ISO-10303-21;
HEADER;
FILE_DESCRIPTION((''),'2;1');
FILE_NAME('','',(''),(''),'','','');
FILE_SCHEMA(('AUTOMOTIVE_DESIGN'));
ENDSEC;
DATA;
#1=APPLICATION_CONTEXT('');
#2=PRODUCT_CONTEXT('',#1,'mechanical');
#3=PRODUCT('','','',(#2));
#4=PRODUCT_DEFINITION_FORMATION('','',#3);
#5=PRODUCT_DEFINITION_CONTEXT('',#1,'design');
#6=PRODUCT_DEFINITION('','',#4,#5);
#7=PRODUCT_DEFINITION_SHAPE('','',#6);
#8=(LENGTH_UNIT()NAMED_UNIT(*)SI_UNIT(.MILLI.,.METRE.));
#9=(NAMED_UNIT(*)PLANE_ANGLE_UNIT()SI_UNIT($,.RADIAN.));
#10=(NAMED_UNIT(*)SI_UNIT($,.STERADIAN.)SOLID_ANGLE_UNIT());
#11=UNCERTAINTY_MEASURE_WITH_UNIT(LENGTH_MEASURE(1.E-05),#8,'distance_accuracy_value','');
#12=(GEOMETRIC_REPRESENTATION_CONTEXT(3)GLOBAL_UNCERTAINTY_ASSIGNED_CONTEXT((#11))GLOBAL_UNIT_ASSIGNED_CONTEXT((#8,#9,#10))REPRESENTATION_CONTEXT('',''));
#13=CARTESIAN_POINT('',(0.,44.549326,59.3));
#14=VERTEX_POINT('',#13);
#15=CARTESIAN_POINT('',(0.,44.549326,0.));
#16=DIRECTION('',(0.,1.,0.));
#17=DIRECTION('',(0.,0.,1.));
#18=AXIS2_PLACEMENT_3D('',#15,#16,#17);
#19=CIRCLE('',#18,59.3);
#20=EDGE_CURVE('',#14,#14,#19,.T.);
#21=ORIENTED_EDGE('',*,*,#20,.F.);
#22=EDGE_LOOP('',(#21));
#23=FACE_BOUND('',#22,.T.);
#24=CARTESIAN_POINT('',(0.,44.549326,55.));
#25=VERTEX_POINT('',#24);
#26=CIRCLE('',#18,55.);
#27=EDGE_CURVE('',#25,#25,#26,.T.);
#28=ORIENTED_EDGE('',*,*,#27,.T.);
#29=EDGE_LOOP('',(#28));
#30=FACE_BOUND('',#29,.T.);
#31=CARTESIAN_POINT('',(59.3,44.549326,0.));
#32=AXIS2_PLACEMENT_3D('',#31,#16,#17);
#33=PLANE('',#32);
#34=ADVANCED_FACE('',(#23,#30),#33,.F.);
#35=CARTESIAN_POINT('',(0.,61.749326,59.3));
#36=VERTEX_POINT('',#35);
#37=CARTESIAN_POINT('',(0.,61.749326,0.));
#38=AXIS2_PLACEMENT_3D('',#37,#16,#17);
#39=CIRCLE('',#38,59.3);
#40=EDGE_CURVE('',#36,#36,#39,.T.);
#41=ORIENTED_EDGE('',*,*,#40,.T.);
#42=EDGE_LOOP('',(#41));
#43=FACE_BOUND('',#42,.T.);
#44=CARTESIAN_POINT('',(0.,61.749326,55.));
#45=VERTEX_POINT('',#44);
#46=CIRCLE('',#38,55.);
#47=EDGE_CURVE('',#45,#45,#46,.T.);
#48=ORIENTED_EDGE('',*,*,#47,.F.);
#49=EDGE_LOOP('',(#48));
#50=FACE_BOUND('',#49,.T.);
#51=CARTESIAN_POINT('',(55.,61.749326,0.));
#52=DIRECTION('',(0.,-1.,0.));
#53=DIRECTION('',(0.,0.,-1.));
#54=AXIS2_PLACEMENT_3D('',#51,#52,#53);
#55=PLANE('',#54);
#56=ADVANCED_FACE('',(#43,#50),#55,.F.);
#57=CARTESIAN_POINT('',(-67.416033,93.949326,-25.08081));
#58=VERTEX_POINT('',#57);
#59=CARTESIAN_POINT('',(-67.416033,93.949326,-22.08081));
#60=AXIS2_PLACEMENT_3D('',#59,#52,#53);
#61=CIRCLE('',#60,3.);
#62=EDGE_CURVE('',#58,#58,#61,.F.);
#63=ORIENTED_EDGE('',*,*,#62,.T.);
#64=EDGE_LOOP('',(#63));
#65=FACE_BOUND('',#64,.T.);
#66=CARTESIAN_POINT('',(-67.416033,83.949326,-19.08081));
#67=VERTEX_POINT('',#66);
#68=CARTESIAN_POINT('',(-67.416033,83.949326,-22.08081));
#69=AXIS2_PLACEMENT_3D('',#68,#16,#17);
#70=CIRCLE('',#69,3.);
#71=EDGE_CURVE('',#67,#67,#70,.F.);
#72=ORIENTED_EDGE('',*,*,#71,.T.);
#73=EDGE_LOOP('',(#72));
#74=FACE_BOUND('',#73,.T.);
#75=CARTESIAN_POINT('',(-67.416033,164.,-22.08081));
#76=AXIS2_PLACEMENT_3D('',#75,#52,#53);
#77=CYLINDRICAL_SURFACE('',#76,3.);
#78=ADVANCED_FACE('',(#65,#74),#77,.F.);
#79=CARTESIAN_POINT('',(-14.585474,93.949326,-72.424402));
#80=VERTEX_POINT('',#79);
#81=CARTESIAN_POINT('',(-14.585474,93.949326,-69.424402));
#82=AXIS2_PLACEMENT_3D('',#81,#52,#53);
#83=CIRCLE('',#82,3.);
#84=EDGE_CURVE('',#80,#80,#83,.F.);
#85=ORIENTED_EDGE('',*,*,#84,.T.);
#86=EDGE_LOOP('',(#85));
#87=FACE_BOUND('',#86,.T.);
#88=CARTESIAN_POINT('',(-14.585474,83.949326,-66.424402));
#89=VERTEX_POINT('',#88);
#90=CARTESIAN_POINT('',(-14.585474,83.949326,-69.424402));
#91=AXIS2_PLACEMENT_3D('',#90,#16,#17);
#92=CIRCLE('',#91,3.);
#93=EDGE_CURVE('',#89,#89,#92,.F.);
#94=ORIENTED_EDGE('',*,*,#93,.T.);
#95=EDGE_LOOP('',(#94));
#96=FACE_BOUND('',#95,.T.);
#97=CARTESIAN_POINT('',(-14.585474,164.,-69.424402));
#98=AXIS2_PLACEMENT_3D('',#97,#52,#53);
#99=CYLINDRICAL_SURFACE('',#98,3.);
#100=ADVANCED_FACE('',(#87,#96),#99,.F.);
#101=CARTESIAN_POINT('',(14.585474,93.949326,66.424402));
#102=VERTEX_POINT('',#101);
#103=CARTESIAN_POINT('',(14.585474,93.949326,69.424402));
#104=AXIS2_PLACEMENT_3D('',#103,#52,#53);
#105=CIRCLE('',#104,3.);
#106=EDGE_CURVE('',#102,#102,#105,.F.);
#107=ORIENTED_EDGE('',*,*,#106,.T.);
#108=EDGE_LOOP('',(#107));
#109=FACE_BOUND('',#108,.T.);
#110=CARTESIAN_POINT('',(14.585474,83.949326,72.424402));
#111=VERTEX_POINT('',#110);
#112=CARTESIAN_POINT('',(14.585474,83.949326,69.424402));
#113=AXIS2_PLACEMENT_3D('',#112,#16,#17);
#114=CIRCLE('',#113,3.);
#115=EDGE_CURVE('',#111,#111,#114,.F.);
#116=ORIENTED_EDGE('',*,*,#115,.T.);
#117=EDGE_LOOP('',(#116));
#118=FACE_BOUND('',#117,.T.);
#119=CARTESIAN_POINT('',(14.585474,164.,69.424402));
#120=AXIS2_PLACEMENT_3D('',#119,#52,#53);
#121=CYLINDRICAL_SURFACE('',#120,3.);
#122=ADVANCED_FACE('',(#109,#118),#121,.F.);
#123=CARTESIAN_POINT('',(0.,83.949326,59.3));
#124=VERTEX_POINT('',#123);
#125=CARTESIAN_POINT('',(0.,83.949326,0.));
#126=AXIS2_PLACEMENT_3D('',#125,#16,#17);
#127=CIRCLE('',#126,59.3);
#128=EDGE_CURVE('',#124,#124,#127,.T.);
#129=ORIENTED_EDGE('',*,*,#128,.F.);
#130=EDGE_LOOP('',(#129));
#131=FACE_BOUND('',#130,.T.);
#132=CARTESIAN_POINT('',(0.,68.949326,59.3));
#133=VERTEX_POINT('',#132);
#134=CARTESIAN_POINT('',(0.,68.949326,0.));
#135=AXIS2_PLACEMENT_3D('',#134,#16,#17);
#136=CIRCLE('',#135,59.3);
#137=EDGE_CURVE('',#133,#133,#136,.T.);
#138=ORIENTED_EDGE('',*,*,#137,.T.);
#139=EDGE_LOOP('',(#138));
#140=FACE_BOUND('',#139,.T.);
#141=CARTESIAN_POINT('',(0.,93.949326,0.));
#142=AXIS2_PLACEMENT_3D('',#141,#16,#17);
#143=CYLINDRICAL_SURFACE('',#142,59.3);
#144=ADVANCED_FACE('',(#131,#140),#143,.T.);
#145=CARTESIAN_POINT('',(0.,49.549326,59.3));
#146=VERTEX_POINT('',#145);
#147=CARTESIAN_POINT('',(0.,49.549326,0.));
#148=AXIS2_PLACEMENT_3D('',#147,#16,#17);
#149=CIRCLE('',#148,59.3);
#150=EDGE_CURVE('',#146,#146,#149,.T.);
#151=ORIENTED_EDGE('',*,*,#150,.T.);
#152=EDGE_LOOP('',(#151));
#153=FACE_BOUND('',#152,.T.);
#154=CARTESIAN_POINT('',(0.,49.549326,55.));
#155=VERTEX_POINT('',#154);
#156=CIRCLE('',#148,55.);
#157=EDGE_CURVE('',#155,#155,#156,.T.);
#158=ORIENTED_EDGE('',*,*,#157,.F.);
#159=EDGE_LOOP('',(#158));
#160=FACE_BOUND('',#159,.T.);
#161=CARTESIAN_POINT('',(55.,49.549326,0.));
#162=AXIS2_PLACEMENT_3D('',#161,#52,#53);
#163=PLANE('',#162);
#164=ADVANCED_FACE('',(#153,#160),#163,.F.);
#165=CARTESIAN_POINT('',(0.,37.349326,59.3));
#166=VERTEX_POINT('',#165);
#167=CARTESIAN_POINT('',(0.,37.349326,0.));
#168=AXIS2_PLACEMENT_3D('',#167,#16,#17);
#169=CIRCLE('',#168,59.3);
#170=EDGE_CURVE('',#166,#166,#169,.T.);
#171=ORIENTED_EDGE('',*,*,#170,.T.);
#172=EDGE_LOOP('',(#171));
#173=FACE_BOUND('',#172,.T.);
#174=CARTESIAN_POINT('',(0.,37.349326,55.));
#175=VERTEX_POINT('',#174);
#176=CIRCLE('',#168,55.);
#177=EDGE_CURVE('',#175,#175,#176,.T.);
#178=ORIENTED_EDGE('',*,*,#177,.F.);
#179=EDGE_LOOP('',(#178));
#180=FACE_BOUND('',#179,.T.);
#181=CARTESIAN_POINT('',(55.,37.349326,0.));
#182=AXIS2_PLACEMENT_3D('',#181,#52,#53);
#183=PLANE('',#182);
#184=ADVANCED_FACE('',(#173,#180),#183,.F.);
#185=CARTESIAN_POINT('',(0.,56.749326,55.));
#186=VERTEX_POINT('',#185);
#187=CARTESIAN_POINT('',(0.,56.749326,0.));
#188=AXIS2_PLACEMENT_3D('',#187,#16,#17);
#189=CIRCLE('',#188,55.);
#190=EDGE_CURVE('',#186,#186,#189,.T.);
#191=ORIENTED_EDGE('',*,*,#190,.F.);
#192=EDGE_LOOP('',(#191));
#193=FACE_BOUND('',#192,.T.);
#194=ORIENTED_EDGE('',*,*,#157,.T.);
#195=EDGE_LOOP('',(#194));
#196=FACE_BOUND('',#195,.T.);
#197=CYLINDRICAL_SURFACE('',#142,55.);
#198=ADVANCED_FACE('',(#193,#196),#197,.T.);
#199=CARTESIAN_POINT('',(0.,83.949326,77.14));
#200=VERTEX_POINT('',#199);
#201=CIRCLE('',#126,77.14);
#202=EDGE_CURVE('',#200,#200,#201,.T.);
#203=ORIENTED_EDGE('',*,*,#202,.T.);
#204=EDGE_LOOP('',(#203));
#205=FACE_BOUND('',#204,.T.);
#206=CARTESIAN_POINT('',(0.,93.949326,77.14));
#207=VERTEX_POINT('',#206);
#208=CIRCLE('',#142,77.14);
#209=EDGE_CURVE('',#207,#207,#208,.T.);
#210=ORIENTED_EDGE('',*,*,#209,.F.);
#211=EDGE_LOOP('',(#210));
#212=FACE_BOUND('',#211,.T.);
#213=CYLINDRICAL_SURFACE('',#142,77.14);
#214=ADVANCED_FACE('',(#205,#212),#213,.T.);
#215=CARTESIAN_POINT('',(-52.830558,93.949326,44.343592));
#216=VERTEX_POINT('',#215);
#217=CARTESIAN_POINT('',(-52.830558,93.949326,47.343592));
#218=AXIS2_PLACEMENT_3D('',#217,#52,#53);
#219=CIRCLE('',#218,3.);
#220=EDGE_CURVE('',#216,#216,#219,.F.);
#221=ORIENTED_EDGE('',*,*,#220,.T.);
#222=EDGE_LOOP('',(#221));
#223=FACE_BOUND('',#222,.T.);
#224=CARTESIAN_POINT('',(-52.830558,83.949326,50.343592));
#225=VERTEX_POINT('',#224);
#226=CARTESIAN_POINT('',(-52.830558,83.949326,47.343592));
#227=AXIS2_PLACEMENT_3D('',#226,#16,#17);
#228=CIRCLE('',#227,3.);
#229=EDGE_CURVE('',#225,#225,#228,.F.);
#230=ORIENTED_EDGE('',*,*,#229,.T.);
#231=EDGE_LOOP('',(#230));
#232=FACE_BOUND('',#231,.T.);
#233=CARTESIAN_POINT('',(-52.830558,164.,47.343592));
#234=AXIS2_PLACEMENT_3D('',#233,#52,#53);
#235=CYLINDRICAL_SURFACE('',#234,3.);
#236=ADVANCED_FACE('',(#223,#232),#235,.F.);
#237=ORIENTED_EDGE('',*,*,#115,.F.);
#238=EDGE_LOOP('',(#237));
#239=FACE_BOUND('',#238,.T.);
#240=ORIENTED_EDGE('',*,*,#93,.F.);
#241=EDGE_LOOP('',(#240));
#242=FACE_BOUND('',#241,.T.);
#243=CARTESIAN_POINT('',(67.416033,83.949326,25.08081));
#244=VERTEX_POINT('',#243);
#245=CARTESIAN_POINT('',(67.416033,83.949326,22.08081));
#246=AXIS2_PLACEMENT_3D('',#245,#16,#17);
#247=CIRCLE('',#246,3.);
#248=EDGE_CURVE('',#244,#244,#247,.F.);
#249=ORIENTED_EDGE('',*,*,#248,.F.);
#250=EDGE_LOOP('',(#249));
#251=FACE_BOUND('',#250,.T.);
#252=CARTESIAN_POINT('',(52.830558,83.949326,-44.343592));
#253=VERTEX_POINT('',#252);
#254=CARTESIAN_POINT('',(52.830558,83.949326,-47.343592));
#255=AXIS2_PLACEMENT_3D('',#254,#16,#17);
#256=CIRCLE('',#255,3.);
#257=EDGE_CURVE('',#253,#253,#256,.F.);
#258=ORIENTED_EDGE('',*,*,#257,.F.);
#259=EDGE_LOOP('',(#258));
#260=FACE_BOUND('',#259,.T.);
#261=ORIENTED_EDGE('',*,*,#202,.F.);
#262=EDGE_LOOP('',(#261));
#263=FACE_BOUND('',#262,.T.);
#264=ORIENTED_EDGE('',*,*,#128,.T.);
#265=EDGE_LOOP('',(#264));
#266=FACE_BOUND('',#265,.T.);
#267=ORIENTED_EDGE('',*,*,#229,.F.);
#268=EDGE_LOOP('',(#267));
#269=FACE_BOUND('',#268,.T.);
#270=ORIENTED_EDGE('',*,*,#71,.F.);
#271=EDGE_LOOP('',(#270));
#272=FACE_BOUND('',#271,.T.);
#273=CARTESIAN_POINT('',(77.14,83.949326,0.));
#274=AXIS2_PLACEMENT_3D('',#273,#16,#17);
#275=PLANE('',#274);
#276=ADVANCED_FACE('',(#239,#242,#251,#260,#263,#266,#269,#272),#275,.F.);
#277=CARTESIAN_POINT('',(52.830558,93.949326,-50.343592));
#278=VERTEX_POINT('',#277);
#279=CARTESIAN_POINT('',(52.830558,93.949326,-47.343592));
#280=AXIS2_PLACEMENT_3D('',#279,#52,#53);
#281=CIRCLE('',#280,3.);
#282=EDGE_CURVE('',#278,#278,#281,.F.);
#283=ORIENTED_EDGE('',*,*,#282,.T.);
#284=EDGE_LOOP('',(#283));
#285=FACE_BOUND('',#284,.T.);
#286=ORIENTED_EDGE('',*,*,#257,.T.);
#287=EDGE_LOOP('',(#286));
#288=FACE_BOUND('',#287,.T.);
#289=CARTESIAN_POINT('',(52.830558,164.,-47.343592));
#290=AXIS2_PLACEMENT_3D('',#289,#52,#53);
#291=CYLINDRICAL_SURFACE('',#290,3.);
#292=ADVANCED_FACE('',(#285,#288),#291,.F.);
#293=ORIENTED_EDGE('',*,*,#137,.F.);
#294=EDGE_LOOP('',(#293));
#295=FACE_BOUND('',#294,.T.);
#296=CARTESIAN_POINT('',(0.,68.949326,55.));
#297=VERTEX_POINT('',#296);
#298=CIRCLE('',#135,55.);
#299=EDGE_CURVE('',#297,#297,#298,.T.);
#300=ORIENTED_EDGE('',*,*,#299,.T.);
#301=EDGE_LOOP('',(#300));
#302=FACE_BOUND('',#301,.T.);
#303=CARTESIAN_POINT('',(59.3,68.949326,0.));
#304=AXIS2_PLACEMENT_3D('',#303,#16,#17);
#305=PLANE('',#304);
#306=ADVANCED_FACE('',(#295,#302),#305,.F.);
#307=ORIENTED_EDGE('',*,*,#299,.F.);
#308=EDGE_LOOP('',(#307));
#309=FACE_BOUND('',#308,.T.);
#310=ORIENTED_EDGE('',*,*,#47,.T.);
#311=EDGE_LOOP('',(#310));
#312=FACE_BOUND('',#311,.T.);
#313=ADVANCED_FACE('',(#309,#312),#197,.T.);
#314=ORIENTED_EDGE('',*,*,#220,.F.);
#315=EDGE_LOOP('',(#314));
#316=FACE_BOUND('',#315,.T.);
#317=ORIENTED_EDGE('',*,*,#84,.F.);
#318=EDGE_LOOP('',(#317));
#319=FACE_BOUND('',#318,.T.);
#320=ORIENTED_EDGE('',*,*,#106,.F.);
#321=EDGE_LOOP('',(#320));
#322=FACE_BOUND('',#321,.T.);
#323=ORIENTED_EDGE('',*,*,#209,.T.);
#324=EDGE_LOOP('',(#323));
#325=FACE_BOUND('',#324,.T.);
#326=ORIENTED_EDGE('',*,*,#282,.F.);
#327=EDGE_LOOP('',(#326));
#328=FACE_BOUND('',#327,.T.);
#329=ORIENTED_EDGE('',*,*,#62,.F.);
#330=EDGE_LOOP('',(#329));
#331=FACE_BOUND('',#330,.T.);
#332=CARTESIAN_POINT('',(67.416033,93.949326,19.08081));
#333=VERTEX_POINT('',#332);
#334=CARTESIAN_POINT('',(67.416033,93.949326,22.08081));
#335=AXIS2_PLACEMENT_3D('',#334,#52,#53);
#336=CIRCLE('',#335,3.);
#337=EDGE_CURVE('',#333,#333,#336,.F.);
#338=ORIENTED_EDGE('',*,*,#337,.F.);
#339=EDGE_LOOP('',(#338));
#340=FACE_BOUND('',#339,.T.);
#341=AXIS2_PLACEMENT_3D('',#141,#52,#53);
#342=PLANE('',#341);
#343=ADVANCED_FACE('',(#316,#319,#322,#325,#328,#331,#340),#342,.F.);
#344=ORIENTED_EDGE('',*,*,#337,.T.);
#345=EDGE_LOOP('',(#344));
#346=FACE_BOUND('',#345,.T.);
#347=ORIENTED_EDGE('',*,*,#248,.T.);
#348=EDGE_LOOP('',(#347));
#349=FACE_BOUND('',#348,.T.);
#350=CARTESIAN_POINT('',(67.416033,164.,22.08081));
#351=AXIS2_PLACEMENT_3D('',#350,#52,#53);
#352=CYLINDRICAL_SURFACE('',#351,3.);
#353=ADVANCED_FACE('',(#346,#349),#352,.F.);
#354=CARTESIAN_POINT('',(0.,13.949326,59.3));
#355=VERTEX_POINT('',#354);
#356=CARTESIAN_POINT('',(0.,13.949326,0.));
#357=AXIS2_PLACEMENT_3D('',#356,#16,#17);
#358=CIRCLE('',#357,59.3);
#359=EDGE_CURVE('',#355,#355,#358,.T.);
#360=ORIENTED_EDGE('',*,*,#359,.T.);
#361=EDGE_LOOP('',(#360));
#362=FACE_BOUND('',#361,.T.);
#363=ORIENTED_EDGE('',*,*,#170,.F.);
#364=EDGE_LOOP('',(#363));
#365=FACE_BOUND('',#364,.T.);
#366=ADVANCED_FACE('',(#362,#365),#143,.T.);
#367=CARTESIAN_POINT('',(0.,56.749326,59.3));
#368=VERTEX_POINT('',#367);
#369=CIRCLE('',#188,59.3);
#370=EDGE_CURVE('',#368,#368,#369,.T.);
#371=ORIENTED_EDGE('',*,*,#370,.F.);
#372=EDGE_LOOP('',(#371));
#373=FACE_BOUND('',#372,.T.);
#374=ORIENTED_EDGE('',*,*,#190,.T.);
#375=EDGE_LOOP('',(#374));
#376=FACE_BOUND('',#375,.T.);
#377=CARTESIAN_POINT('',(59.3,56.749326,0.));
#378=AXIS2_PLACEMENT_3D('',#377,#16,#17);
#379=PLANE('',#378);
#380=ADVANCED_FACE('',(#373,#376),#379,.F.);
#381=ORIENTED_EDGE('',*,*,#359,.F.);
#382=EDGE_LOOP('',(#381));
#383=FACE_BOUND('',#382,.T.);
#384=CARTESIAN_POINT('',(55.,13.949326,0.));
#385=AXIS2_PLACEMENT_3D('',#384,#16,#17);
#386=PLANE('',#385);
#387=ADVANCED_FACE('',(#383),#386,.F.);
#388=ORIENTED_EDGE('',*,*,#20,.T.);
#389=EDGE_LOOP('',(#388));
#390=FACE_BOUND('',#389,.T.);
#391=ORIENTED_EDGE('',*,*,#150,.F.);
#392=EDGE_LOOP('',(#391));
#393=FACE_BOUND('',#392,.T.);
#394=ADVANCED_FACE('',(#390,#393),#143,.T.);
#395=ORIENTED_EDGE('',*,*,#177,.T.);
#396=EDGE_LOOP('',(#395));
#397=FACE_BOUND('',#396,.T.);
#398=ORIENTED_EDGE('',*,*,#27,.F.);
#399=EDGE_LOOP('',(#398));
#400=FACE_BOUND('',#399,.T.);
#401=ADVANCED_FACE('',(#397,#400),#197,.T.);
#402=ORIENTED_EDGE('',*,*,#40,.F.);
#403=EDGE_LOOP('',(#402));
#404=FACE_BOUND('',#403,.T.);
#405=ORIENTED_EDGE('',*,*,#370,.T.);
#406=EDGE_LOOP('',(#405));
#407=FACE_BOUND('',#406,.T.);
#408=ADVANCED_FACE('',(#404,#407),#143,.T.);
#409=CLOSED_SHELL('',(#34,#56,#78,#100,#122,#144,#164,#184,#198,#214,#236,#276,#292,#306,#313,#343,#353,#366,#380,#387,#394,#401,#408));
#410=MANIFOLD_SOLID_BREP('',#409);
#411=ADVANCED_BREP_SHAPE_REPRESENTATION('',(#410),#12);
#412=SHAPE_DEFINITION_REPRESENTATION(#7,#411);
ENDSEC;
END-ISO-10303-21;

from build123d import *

# Parameters (mm, degrees)
ESQUISSE2_R             = 3
ENL_V_MAT_EXTRU_1_DEPTH = 164


with BuildPart() as part:
    # Esquisse1 → Révolution2 (revolve)
    with BuildSketch(Plane.XY, mode=Mode.PRIVATE) as r_volution2_sk:
        Polygon((0, 93.9493256), (77.14, 93.9493256), (77.14, 83.9493256), (59.3, 83.9493256), (59.3, 73.9493256), (59.3, 68.9493256), (55, 68.9493256), (55, 61.7493256), (59.3, 61.7493256), (59.3, 56.7493256), (55, 56.7493256), (55, 49.5493256), (59.3, 49.5493256), (59.3, 44.5493256), (55, 44.5493256), (55, 37.3493256), (59.3, 37.3493256), (59.3, 13.9493256), (55, 13.9493256), (0, 13.9493256), align=None)
    revolve(r_volution2_sk.sketch.rotate(Axis((0, 93.9493256, 0), (0, -1, 0)), 90), axis=Axis((0, 93.9493256, 0), (0, -1, 0)))  # turned: the seam where the file's is

    # Esquisse2 → Enlèv. mat.-Extru.1 (cut)
    with BuildSketch(Plane(origin=(0, 0, 0), x_dir=(1, 0, 0), z_dir=(0, 1, 0))):
        with Locations(Location((14.585474317, -69.42440161, 0), (0, 0, 90))):  # turned: the seam where the file's is
            Circle(ESQUISSE2_R)
        with Locations(Location((67.416032595, -22.080809521, 0), (0, 0, 90))):  # turned: the seam where the file's is
            Circle(ESQUISSE2_R)
        with Locations(Location((52.830558279, 47.34359209, 0), (0, 0, 90))):  # turned: the seam where the file's is
            Circle(ESQUISSE2_R)
        with Locations(Location((-14.585474317, 69.42440161, 0), (0, 0, 90))):  # turned: the seam where the file's is
            Circle(ESQUISSE2_R)
        with Locations(Location((-67.416032595, 22.080809521, 0), (0, 0, 90))):  # turned: the seam where the file's is
            Circle(ESQUISSE2_R)
        with Locations(Location((-52.830558279, -47.34359209, 0), (0, 0, 90))):  # turned: the seam where the file's is
            Circle(ESQUISSE2_R)
    extrude(amount=ENL_V_MAT_EXTRU_1_DEPTH, mode=Mode.SUBTRACT)


solid = part.part
